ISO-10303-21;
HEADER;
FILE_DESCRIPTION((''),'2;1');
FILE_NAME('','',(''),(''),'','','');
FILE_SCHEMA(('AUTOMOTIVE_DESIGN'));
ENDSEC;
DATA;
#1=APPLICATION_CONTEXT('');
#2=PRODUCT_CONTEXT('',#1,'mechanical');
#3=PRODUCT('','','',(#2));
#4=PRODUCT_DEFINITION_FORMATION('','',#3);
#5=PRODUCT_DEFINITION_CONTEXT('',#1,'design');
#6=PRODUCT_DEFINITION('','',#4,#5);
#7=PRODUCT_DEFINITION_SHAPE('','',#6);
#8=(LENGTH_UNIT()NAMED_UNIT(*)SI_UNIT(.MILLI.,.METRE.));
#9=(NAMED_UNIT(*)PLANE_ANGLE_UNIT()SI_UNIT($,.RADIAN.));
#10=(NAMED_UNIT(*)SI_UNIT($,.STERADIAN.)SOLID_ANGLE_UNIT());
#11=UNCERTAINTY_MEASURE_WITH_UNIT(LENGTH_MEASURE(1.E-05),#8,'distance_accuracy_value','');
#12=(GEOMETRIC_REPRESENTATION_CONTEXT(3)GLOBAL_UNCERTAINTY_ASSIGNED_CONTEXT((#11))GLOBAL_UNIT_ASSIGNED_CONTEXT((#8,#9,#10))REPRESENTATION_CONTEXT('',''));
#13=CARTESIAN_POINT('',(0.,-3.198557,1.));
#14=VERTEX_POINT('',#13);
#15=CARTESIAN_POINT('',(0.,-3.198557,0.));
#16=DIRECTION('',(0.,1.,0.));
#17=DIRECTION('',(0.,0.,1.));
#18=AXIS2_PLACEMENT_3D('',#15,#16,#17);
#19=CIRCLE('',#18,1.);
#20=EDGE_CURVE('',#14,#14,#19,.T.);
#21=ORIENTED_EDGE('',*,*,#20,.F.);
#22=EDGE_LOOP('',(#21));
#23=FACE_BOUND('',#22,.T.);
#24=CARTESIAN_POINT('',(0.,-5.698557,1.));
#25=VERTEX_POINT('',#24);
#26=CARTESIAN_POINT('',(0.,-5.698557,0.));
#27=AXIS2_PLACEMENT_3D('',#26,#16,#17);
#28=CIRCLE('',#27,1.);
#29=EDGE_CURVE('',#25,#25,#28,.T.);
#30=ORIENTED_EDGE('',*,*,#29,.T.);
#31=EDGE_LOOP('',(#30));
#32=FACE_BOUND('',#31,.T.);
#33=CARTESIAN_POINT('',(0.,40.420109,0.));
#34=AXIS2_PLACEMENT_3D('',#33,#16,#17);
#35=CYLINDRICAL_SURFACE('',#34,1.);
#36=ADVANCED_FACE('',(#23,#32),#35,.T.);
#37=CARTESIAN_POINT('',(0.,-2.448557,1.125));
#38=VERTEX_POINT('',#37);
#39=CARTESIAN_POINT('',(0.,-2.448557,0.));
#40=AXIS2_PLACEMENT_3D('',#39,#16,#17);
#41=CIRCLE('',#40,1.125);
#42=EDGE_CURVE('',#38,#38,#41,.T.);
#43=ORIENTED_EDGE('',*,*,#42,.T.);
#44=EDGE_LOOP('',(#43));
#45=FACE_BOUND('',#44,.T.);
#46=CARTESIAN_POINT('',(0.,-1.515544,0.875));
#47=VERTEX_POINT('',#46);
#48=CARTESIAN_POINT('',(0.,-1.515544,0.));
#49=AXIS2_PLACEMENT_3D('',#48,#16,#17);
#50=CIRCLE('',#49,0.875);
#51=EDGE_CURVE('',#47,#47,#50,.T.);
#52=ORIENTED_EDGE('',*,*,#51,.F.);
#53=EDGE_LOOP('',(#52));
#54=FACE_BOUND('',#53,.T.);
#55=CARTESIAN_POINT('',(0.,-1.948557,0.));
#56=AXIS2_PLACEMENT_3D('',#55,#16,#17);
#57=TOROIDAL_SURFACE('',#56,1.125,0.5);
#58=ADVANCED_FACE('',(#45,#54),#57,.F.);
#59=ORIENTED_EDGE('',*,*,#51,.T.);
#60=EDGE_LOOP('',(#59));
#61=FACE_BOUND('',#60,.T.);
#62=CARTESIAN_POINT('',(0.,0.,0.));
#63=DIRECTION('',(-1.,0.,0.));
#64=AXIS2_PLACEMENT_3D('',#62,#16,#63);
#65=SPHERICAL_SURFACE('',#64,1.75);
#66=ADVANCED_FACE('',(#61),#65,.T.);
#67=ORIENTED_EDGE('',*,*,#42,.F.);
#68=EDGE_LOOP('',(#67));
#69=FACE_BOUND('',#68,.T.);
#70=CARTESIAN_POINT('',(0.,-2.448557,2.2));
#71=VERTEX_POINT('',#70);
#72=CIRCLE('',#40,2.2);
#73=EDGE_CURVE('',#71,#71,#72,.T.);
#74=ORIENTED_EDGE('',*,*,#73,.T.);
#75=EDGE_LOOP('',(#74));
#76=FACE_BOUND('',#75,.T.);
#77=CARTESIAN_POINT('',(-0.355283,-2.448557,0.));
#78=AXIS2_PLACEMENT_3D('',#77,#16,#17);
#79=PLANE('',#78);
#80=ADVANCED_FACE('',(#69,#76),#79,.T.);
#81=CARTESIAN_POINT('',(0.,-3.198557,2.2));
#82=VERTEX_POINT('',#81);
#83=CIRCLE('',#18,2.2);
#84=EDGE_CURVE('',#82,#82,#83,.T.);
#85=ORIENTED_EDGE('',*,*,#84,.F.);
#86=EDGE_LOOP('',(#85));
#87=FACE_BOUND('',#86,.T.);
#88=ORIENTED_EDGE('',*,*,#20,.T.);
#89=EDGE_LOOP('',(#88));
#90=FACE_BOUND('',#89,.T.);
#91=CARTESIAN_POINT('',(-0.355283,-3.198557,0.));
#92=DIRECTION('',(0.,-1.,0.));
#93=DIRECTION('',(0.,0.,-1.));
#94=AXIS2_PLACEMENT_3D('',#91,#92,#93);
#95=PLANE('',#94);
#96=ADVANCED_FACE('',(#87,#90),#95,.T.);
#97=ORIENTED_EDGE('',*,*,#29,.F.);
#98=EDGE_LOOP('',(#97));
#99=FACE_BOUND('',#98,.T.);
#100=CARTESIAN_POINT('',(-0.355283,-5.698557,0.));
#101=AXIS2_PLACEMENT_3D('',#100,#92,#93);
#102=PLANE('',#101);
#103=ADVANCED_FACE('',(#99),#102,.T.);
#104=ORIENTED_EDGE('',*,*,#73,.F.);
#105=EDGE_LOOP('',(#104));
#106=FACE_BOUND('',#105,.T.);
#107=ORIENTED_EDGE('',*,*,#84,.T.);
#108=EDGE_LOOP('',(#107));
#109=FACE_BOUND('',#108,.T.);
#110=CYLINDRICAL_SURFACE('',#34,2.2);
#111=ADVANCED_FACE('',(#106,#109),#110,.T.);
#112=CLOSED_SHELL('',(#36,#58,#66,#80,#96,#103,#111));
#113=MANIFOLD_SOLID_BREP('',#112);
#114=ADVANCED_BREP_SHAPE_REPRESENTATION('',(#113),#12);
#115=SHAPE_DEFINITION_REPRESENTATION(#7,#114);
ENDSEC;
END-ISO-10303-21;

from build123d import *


with BuildPart() as part:
    # Sketch1 → Revolve1 (revolve)
    with BuildSketch(Plane.XY):
        with BuildLine():
            ThreePointArc((-0.875, -1.515544457), (-0.642037087, -2.077966681), (-1.125, -2.448557159))
            Line((-1.125, -2.448557159), (-2.2, -2.448557159))
            Line((-2.2, -2.448557159), (-2.2, -3.198557159))
            Line((-2.2, -3.198557159), (-1, -3.198557159))
            Line((-1, -3.198557159), (-1, -5.698557159))
            Line((-1, -5.698557159), (0, -5.698557159))
            Line((0, -5.698557159), (0, -1.75))
            ThreePointArc((0, -1.75), (-0.452933329, -1.690370196), (-0.875, -1.515544457))
        make_face()
        with BuildLine():
            ThreePointArc((0, -1.75), (-1.75, 0), (0, 1.75))
            Line((0, 1.75), (0, -1.75))
        make_face()
    revolve(axis=Axis((0, 40.420109298, 0), (0, -1, 0)))


solid = part.part
